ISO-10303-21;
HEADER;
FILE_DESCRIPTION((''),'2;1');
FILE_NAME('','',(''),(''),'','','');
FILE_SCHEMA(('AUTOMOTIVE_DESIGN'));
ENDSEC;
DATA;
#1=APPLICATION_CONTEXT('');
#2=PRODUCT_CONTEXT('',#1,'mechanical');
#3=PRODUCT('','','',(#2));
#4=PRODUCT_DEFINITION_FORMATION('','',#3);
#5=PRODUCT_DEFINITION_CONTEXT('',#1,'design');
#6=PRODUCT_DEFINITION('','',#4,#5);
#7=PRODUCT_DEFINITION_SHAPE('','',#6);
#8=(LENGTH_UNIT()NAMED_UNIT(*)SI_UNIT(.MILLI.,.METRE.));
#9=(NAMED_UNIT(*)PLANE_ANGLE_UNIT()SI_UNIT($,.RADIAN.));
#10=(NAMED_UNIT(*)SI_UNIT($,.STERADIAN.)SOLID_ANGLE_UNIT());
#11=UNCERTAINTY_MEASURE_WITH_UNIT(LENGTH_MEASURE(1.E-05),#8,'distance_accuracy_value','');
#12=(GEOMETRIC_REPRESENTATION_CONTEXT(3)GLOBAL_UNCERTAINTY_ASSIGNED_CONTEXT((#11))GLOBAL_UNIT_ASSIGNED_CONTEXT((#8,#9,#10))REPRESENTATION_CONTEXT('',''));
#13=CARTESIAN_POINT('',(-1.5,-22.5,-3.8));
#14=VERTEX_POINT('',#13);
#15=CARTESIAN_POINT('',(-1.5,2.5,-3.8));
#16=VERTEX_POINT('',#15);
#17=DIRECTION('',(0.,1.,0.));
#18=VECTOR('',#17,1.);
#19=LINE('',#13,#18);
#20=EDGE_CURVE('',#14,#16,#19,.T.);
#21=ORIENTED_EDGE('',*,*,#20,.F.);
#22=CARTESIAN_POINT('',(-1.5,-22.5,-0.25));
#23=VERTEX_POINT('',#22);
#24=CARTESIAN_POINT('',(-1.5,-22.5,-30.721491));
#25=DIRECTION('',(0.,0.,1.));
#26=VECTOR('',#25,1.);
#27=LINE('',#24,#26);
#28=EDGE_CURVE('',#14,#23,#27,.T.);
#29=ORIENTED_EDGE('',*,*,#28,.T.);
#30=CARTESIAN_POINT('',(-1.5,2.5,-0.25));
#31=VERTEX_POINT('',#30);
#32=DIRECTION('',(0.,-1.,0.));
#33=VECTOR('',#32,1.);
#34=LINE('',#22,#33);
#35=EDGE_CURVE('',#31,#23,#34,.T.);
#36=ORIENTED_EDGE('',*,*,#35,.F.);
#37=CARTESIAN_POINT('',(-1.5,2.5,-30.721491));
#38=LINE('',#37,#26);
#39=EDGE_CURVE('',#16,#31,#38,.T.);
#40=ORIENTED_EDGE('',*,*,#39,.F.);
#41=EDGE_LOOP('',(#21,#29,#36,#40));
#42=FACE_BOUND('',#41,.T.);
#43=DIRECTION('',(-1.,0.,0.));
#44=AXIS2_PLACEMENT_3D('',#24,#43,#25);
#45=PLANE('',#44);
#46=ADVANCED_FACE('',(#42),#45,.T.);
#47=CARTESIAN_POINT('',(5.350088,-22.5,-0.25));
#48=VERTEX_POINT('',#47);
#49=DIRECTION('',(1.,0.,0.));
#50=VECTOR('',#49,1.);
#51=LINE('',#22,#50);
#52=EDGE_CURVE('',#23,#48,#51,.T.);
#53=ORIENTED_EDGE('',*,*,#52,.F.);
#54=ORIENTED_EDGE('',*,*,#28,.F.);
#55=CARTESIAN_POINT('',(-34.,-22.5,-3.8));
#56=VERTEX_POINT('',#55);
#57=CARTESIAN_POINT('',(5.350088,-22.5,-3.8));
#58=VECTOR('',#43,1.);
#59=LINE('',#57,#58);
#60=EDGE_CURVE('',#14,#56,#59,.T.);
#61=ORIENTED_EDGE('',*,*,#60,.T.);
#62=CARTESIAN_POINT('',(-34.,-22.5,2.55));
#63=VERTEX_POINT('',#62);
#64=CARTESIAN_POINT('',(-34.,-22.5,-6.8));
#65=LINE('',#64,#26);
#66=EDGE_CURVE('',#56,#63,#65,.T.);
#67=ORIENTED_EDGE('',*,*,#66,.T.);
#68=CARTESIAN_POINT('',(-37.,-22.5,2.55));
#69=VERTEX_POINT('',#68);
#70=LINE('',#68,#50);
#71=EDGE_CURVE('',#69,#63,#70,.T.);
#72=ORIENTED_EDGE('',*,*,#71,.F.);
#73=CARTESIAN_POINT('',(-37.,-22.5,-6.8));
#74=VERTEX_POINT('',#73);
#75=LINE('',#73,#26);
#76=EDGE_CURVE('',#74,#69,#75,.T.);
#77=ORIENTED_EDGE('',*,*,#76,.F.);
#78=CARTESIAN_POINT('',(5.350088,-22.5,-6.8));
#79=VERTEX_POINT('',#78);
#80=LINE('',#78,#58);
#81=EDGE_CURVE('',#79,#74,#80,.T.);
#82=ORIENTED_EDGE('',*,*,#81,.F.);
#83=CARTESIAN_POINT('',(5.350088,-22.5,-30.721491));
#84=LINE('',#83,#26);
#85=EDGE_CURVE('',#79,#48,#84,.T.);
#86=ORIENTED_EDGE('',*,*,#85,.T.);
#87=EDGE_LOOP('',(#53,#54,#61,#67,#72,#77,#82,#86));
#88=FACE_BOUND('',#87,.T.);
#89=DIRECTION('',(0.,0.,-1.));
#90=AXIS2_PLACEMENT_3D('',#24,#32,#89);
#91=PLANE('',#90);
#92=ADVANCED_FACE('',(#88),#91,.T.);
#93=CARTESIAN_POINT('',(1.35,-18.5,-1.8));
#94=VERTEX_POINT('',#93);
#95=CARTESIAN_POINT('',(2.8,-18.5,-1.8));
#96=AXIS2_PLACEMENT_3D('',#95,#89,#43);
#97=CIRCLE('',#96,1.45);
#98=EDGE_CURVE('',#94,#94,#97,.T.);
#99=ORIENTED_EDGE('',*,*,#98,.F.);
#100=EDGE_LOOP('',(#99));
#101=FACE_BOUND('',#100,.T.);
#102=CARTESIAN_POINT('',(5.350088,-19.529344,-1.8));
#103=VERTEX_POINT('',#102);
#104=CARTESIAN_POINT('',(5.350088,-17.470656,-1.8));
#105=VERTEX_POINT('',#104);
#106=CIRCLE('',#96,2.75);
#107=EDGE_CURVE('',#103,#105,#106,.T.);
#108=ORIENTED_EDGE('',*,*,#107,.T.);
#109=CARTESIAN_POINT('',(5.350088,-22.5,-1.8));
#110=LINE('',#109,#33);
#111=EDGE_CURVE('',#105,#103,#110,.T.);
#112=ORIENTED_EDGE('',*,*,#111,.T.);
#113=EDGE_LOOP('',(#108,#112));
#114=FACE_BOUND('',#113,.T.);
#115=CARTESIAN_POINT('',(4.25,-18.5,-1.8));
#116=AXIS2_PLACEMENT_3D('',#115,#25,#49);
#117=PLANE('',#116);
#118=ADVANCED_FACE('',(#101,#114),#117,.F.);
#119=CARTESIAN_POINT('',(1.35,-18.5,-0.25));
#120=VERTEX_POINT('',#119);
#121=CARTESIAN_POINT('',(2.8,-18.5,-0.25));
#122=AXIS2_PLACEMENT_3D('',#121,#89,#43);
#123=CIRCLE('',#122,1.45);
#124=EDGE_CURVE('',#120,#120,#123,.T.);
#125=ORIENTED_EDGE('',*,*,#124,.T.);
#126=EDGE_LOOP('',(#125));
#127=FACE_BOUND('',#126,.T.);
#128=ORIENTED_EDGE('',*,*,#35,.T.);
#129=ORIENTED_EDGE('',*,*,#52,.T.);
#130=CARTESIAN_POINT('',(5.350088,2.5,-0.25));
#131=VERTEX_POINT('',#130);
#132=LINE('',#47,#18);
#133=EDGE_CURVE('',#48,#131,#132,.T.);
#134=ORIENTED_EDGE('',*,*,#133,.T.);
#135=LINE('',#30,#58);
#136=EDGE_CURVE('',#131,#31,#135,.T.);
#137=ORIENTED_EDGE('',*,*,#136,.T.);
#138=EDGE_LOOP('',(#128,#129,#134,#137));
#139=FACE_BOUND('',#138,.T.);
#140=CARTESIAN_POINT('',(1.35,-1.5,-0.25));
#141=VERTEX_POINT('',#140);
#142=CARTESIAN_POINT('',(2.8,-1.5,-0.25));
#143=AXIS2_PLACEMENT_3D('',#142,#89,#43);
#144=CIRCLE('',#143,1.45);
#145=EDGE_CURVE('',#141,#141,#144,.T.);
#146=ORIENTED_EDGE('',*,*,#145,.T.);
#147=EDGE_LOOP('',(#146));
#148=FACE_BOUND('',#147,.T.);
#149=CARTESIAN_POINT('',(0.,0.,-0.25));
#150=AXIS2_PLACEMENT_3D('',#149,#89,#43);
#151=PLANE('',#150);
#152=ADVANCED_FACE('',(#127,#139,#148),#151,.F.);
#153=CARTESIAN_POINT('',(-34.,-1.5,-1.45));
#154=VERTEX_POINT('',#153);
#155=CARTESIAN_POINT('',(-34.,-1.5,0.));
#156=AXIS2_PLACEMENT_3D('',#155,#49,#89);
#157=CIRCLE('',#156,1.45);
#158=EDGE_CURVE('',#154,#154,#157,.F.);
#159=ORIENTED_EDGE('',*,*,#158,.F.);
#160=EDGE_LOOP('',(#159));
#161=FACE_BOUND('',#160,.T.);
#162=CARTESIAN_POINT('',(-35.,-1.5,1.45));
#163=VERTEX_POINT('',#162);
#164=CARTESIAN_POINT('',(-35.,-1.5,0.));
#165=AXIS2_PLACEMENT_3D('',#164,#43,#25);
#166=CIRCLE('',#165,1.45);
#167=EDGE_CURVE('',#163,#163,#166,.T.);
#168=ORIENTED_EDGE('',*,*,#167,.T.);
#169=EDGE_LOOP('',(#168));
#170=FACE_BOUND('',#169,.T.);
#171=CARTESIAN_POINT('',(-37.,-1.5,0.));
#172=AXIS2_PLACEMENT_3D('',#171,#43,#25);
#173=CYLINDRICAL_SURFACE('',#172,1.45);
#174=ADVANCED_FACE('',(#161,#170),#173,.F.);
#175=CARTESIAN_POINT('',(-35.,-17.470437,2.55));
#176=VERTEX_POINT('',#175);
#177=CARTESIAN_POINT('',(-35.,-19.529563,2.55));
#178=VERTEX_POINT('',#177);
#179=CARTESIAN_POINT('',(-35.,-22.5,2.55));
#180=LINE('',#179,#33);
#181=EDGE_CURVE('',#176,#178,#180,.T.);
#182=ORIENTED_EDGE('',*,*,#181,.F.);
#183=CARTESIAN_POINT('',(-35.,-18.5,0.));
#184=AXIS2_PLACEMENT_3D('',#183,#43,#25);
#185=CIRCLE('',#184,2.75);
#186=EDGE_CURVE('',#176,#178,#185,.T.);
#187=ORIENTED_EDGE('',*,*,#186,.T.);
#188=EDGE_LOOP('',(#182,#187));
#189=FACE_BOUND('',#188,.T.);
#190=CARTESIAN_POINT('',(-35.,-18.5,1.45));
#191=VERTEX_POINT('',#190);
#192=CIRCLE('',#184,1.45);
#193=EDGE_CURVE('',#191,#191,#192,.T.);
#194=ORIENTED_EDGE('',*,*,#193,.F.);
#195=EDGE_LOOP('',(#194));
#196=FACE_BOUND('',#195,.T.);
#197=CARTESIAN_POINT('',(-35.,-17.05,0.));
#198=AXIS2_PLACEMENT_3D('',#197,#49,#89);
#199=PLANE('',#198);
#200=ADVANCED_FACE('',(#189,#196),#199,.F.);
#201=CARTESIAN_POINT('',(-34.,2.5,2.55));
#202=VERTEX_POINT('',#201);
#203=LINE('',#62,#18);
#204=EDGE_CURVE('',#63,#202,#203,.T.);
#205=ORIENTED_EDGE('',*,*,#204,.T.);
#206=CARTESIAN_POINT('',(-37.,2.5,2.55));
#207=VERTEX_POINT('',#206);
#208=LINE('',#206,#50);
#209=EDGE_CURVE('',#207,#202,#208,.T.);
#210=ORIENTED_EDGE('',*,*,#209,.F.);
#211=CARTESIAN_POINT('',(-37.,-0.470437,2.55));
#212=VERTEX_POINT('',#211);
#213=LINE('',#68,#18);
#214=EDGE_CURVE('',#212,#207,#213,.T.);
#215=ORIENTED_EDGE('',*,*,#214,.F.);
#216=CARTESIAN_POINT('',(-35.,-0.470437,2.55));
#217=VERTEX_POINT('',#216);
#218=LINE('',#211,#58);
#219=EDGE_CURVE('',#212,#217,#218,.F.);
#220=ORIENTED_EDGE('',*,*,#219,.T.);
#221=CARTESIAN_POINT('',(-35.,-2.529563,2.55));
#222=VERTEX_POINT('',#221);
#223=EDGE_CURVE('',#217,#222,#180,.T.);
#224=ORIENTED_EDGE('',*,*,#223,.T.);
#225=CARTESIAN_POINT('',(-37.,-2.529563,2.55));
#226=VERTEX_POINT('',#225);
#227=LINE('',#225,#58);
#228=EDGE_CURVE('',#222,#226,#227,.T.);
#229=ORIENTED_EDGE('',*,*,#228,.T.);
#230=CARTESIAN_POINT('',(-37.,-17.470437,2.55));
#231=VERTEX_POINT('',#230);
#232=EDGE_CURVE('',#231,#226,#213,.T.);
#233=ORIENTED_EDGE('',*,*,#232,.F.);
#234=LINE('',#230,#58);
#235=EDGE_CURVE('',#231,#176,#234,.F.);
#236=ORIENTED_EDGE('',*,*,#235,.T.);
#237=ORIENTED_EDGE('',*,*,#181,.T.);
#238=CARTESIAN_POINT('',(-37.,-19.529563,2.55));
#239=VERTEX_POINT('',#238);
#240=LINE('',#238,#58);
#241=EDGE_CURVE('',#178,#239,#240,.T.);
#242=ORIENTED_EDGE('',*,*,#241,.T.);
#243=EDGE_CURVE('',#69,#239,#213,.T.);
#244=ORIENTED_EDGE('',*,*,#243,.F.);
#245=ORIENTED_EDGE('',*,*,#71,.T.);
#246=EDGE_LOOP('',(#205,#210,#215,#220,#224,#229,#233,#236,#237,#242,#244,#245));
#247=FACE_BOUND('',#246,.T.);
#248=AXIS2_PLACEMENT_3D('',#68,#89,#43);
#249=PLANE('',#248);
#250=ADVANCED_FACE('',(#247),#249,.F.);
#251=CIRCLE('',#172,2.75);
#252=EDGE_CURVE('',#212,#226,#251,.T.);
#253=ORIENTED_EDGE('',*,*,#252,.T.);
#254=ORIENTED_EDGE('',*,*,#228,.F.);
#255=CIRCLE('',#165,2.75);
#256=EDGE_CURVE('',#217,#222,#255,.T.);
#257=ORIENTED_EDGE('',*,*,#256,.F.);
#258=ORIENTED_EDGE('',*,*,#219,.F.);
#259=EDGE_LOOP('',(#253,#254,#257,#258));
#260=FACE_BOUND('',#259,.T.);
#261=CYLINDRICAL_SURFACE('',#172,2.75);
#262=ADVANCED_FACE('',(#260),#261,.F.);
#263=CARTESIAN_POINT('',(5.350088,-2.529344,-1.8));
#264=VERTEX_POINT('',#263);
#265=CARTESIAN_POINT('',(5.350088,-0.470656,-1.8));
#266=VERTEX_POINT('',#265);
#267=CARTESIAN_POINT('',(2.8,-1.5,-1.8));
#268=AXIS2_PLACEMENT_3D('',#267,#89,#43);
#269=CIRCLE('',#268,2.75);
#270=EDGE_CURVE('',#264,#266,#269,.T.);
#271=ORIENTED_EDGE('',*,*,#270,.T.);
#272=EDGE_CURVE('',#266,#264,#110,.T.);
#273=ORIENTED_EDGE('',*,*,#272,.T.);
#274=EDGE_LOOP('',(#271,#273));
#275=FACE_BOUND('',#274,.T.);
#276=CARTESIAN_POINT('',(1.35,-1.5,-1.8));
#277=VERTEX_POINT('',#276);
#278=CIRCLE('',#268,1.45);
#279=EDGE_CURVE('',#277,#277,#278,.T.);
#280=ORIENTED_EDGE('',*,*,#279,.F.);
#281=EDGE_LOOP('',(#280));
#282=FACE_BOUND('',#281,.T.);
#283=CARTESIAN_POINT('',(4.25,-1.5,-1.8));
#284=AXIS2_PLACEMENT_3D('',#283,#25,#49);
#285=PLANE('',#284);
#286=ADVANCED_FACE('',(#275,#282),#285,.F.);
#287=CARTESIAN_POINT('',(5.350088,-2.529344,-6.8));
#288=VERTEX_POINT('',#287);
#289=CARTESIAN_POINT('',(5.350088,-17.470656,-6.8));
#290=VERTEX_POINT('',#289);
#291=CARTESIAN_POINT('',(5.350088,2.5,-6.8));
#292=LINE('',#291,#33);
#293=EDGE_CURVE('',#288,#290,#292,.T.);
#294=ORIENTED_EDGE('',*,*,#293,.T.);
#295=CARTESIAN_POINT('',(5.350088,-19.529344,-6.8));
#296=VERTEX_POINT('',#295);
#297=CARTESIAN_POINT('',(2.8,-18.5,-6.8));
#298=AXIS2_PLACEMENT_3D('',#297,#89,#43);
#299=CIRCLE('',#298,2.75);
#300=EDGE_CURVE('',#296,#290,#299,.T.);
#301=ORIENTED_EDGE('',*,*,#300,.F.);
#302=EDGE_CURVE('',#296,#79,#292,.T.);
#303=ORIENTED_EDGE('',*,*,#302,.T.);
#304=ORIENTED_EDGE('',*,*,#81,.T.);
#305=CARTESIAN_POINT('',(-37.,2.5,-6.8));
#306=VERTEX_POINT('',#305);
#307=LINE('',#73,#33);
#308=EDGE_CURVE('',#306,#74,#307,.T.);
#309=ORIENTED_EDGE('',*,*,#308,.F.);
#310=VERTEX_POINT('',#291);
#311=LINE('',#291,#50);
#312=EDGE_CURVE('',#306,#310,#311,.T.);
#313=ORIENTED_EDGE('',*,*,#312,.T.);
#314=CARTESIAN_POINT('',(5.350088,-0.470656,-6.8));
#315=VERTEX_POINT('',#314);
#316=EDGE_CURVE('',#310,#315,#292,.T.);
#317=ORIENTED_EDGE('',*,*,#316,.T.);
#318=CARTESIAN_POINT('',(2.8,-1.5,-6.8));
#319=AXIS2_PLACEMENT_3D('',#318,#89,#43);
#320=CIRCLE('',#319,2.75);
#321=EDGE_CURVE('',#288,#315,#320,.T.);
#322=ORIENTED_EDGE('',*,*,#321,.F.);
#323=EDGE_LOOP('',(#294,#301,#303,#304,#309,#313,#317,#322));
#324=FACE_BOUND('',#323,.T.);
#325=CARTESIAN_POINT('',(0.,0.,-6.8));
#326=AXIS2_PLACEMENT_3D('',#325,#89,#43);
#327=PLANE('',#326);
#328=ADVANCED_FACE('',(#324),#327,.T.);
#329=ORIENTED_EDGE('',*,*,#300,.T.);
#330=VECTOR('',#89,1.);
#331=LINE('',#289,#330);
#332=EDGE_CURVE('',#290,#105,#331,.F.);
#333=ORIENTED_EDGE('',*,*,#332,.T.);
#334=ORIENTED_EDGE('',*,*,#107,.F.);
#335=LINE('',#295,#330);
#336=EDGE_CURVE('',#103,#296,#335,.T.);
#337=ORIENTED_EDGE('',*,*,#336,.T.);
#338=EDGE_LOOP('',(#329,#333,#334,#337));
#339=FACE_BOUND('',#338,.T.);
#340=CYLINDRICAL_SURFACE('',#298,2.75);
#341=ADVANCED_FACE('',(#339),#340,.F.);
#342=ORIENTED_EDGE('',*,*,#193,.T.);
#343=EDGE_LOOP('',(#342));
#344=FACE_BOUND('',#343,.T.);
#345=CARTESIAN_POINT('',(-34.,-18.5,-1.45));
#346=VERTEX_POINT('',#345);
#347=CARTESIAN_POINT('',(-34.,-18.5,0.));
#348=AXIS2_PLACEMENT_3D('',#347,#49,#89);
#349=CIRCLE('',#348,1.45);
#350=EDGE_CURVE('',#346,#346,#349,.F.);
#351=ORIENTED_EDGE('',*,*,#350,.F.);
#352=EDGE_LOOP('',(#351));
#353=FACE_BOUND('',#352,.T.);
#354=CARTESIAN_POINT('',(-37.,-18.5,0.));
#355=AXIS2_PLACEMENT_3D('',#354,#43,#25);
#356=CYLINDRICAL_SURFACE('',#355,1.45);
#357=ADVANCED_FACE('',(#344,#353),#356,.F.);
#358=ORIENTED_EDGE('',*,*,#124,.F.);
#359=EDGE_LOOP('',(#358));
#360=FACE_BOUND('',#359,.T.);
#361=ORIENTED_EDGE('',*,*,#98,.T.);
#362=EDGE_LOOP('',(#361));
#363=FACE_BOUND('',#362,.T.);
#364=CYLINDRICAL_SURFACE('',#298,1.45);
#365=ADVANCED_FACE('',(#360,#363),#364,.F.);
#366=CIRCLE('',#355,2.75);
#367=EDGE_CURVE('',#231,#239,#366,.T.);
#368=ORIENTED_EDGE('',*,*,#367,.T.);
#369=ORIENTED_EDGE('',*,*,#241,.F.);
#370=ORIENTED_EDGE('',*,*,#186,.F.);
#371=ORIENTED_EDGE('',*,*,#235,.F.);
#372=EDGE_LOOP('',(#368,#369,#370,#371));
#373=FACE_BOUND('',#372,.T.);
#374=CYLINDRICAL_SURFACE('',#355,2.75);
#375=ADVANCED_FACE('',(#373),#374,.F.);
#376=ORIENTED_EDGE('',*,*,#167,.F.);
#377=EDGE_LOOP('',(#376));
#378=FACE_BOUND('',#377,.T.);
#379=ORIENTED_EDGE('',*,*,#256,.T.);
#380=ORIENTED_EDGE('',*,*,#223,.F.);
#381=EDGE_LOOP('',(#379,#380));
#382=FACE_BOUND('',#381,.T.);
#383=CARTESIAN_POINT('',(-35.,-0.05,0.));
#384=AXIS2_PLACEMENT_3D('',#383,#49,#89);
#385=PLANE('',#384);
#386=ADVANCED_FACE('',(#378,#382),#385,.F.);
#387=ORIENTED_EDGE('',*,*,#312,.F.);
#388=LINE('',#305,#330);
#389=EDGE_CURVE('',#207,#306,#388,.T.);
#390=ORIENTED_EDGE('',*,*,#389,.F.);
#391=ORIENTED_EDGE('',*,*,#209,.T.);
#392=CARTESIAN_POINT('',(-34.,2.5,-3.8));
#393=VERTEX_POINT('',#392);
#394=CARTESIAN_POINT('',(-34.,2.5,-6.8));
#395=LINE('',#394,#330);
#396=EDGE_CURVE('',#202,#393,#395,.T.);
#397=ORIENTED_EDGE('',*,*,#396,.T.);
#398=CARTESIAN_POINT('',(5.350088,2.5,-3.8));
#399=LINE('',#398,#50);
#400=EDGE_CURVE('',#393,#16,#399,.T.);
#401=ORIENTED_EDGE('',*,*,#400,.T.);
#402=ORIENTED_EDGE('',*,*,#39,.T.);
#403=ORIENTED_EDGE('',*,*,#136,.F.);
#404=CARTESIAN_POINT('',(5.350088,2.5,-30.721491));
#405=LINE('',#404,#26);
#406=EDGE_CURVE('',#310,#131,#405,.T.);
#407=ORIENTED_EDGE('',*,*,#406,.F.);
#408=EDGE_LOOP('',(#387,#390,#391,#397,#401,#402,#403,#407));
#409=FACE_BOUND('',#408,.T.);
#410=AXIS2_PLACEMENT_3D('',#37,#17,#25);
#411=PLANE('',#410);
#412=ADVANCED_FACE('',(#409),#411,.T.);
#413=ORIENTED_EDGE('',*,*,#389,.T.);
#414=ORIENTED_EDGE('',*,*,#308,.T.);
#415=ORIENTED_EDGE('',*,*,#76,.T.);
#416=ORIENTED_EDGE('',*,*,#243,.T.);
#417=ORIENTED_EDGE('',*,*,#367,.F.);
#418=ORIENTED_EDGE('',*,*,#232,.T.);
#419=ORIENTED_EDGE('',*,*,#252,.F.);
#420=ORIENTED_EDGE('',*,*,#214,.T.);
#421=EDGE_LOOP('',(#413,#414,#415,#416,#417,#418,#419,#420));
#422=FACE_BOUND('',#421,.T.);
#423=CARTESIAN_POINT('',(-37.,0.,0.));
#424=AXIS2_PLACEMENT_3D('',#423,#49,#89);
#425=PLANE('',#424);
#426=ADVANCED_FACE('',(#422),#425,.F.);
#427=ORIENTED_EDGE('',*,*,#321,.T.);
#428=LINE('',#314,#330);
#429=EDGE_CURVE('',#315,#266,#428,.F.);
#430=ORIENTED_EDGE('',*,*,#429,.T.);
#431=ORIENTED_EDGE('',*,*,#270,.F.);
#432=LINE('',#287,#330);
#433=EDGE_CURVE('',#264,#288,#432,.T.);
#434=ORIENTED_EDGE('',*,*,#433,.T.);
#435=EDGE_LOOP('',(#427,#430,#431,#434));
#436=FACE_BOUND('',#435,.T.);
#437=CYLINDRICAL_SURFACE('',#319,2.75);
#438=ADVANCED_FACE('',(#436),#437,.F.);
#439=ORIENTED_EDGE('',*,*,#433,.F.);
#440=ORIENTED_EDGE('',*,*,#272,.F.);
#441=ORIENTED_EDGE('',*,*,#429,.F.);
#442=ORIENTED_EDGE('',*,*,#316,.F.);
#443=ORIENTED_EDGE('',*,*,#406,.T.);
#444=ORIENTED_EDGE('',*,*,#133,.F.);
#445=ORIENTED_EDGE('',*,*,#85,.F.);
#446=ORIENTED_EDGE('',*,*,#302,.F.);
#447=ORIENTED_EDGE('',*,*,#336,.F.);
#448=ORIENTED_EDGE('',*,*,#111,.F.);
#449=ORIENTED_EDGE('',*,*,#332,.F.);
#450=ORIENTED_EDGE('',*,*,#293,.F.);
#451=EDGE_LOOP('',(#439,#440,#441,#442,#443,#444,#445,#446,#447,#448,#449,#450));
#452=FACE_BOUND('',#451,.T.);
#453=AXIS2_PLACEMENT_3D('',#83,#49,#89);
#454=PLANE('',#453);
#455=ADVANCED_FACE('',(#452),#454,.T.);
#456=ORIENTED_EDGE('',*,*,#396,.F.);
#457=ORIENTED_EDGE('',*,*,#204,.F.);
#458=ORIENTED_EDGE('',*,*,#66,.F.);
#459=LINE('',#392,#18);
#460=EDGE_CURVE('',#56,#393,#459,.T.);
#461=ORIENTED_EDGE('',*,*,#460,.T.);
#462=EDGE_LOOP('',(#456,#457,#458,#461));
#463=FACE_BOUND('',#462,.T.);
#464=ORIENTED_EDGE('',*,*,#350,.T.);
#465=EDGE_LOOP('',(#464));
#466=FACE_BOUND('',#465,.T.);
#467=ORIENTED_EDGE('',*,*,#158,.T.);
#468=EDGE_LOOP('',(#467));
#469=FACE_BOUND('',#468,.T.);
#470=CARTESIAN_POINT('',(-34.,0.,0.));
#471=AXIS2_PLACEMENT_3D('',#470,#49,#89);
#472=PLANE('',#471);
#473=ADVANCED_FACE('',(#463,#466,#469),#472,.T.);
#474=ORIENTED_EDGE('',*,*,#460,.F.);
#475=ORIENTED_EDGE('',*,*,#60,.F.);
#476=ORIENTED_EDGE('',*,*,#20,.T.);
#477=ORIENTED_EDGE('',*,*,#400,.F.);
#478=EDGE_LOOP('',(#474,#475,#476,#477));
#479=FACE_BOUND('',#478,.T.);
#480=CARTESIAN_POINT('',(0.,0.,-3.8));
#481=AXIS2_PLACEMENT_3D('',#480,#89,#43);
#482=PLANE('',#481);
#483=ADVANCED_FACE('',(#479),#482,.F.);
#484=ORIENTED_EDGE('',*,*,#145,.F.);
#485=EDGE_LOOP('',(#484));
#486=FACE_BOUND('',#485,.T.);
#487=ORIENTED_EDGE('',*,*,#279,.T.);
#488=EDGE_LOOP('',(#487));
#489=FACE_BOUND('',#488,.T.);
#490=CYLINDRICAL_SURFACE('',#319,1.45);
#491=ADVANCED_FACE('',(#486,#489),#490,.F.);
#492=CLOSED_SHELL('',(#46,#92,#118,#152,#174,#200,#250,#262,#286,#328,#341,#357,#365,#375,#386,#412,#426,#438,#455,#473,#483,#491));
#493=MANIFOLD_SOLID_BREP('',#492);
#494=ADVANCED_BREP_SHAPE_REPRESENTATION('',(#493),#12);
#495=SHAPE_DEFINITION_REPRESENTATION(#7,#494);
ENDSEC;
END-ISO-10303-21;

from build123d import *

# Parameters (mm, degrees)
RESSALTO_EXTRUS_O2_START         = -0.25
ESBO_O2_W                        = 6.85008846
ESBO_O2_H                        = 25
RESSALTO_EXTRUS_O2_DEPTH         = 3.55
ESBO_O3_W                        = 39.35008846
ESBO_O3_H                        = 25
RESSALTO_EXTRUS_O3_DEPTH         = 3
ESBO_O4_W                        = 9.35
ESBO_O4_H                        = 25
RESSALTO_EXTRUS_O4_DEPTH         = 3
CBORE_FOR_M2_5_SHCS2_D           = 2.9
CBORE_FOR_M2_5_SHCS2_DEPTH       = 3
CBORE_FOR_M2_5_SHCS2_CBORE_D     = 5.5
CBORE_FOR_M2_5_SHCS2_CBORE_DEPTH = 2
CBORE_FOR_M2_5_SHCS2_TIP         = 0.871247898
CBORE_FOR_M2_5_SHCS3_D           = 2.9
CBORE_FOR_M2_5_SHCS3_CBORE_D     = 5.5
CBORE_FOR_M2_5_SHCS3_CBORE_DEPTH = 5


with BuildPart() as part:
    # Esboço2 → Ressalto-extrusão2 (new body)
    with BuildSketch(Plane.XY.offset(RESSALTO_EXTRUS_O2_START)):
        with Locations((1.92504423, -10)):
            Rectangle(ESBO_O2_W, ESBO_O2_H)
    extrude(amount=-RESSALTO_EXTRUS_O2_DEPTH)

    # Esboço3 → Ressalto-extrusão3 (add)
    with BuildSketch(Plane(origin=(0, 0, -3.8), x_dir=(-1, 0, 0), z_dir=(0, 0, -1))):
        with Locations((14.32495577, -10)):
            Rectangle(ESBO_O3_W, ESBO_O3_H)
    extrude(amount=RESSALTO_EXTRUS_O3_DEPTH)

    # Esboço4 → Ressalto-extrusão4 (add)
    with BuildSketch(Plane.ZY.offset(34)):
        with Locations((-2.125, -10)):
            Rectangle(ESBO_O4_W, ESBO_O4_H)
    extrude(amount=RESSALTO_EXTRUS_O4_DEPTH)

    # CBORE for M2.5 SHCS2
    with Locations(Plane(origin=(-37, -1.5, 0), x_dir=(0, 0, -1), z_dir=(-1, 0, 0))):
        with Locations((0, 0), (0, 17)):
            CounterBoreHole(CBORE_FOR_M2_5_SHCS2_D / 2, CBORE_FOR_M2_5_SHCS2_CBORE_D / 2, CBORE_FOR_M2_5_SHCS2_CBORE_DEPTH, depth=CBORE_FOR_M2_5_SHCS2_DEPTH)
            with Locations((0, 0, -(CBORE_FOR_M2_5_SHCS2_DEPTH + CBORE_FOR_M2_5_SHCS2_TIP / 2))):  # 118° drill point
                Cone(0, CBORE_FOR_M2_5_SHCS2_D / 2, CBORE_FOR_M2_5_SHCS2_TIP, mode=Mode.SUBTRACT)

    # CBORE for M2.5 SHCS3 (through all)
    with Locations(Plane(origin=(0, 0, -6.8), x_dir=(-1, 0, 0), z_dir=(0, 0, -1))):
        with Locations((-2.8, -1.5), (-2.8, -18.5)):
            CounterBoreHole(CBORE_FOR_M2_5_SHCS3_D / 2, CBORE_FOR_M2_5_SHCS3_CBORE_D / 2, CBORE_FOR_M2_5_SHCS3_CBORE_DEPTH)


solid = part.part
